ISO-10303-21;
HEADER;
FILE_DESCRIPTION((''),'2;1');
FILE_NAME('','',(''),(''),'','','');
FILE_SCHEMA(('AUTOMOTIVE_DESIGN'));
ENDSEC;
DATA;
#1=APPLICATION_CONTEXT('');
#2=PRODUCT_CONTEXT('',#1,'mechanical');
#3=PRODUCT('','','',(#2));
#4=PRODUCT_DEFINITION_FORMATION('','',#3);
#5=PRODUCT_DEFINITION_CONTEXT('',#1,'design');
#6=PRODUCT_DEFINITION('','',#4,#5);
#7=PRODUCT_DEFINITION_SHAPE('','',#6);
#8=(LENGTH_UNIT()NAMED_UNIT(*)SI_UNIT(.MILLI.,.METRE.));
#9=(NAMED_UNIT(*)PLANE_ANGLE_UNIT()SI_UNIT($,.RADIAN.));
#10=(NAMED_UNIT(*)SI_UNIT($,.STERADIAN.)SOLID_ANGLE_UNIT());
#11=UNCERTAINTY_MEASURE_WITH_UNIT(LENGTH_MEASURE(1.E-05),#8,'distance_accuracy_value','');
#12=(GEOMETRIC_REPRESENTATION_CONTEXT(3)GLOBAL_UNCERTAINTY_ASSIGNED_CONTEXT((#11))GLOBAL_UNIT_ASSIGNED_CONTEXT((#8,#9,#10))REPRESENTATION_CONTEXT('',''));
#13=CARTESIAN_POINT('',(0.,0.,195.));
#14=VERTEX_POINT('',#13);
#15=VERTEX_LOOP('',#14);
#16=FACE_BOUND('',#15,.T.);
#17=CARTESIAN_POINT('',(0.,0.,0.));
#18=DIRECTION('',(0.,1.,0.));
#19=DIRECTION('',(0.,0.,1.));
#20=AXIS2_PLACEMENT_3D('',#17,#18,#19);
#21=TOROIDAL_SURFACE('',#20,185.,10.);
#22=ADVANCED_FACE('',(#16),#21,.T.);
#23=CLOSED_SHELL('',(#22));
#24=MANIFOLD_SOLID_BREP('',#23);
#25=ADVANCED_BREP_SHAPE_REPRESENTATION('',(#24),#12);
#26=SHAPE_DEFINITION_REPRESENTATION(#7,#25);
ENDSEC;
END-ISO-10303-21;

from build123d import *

# Parameters (mm, degrees)
SKETCH_1_R = 10


with BuildPart() as part:
    # 草图1 → 旋转1 (revolve)
    with BuildSketch(Plane(origin=(0, 0, 0), x_dir=(0, 0, -1), z_dir=(1, 0, 0))):
        with Locations((-185, 0)):
            Circle(SKETCH_1_R)
    revolve(axis=Axis((0, 11, 0), (0, -1, 0)))


solid = part.part
